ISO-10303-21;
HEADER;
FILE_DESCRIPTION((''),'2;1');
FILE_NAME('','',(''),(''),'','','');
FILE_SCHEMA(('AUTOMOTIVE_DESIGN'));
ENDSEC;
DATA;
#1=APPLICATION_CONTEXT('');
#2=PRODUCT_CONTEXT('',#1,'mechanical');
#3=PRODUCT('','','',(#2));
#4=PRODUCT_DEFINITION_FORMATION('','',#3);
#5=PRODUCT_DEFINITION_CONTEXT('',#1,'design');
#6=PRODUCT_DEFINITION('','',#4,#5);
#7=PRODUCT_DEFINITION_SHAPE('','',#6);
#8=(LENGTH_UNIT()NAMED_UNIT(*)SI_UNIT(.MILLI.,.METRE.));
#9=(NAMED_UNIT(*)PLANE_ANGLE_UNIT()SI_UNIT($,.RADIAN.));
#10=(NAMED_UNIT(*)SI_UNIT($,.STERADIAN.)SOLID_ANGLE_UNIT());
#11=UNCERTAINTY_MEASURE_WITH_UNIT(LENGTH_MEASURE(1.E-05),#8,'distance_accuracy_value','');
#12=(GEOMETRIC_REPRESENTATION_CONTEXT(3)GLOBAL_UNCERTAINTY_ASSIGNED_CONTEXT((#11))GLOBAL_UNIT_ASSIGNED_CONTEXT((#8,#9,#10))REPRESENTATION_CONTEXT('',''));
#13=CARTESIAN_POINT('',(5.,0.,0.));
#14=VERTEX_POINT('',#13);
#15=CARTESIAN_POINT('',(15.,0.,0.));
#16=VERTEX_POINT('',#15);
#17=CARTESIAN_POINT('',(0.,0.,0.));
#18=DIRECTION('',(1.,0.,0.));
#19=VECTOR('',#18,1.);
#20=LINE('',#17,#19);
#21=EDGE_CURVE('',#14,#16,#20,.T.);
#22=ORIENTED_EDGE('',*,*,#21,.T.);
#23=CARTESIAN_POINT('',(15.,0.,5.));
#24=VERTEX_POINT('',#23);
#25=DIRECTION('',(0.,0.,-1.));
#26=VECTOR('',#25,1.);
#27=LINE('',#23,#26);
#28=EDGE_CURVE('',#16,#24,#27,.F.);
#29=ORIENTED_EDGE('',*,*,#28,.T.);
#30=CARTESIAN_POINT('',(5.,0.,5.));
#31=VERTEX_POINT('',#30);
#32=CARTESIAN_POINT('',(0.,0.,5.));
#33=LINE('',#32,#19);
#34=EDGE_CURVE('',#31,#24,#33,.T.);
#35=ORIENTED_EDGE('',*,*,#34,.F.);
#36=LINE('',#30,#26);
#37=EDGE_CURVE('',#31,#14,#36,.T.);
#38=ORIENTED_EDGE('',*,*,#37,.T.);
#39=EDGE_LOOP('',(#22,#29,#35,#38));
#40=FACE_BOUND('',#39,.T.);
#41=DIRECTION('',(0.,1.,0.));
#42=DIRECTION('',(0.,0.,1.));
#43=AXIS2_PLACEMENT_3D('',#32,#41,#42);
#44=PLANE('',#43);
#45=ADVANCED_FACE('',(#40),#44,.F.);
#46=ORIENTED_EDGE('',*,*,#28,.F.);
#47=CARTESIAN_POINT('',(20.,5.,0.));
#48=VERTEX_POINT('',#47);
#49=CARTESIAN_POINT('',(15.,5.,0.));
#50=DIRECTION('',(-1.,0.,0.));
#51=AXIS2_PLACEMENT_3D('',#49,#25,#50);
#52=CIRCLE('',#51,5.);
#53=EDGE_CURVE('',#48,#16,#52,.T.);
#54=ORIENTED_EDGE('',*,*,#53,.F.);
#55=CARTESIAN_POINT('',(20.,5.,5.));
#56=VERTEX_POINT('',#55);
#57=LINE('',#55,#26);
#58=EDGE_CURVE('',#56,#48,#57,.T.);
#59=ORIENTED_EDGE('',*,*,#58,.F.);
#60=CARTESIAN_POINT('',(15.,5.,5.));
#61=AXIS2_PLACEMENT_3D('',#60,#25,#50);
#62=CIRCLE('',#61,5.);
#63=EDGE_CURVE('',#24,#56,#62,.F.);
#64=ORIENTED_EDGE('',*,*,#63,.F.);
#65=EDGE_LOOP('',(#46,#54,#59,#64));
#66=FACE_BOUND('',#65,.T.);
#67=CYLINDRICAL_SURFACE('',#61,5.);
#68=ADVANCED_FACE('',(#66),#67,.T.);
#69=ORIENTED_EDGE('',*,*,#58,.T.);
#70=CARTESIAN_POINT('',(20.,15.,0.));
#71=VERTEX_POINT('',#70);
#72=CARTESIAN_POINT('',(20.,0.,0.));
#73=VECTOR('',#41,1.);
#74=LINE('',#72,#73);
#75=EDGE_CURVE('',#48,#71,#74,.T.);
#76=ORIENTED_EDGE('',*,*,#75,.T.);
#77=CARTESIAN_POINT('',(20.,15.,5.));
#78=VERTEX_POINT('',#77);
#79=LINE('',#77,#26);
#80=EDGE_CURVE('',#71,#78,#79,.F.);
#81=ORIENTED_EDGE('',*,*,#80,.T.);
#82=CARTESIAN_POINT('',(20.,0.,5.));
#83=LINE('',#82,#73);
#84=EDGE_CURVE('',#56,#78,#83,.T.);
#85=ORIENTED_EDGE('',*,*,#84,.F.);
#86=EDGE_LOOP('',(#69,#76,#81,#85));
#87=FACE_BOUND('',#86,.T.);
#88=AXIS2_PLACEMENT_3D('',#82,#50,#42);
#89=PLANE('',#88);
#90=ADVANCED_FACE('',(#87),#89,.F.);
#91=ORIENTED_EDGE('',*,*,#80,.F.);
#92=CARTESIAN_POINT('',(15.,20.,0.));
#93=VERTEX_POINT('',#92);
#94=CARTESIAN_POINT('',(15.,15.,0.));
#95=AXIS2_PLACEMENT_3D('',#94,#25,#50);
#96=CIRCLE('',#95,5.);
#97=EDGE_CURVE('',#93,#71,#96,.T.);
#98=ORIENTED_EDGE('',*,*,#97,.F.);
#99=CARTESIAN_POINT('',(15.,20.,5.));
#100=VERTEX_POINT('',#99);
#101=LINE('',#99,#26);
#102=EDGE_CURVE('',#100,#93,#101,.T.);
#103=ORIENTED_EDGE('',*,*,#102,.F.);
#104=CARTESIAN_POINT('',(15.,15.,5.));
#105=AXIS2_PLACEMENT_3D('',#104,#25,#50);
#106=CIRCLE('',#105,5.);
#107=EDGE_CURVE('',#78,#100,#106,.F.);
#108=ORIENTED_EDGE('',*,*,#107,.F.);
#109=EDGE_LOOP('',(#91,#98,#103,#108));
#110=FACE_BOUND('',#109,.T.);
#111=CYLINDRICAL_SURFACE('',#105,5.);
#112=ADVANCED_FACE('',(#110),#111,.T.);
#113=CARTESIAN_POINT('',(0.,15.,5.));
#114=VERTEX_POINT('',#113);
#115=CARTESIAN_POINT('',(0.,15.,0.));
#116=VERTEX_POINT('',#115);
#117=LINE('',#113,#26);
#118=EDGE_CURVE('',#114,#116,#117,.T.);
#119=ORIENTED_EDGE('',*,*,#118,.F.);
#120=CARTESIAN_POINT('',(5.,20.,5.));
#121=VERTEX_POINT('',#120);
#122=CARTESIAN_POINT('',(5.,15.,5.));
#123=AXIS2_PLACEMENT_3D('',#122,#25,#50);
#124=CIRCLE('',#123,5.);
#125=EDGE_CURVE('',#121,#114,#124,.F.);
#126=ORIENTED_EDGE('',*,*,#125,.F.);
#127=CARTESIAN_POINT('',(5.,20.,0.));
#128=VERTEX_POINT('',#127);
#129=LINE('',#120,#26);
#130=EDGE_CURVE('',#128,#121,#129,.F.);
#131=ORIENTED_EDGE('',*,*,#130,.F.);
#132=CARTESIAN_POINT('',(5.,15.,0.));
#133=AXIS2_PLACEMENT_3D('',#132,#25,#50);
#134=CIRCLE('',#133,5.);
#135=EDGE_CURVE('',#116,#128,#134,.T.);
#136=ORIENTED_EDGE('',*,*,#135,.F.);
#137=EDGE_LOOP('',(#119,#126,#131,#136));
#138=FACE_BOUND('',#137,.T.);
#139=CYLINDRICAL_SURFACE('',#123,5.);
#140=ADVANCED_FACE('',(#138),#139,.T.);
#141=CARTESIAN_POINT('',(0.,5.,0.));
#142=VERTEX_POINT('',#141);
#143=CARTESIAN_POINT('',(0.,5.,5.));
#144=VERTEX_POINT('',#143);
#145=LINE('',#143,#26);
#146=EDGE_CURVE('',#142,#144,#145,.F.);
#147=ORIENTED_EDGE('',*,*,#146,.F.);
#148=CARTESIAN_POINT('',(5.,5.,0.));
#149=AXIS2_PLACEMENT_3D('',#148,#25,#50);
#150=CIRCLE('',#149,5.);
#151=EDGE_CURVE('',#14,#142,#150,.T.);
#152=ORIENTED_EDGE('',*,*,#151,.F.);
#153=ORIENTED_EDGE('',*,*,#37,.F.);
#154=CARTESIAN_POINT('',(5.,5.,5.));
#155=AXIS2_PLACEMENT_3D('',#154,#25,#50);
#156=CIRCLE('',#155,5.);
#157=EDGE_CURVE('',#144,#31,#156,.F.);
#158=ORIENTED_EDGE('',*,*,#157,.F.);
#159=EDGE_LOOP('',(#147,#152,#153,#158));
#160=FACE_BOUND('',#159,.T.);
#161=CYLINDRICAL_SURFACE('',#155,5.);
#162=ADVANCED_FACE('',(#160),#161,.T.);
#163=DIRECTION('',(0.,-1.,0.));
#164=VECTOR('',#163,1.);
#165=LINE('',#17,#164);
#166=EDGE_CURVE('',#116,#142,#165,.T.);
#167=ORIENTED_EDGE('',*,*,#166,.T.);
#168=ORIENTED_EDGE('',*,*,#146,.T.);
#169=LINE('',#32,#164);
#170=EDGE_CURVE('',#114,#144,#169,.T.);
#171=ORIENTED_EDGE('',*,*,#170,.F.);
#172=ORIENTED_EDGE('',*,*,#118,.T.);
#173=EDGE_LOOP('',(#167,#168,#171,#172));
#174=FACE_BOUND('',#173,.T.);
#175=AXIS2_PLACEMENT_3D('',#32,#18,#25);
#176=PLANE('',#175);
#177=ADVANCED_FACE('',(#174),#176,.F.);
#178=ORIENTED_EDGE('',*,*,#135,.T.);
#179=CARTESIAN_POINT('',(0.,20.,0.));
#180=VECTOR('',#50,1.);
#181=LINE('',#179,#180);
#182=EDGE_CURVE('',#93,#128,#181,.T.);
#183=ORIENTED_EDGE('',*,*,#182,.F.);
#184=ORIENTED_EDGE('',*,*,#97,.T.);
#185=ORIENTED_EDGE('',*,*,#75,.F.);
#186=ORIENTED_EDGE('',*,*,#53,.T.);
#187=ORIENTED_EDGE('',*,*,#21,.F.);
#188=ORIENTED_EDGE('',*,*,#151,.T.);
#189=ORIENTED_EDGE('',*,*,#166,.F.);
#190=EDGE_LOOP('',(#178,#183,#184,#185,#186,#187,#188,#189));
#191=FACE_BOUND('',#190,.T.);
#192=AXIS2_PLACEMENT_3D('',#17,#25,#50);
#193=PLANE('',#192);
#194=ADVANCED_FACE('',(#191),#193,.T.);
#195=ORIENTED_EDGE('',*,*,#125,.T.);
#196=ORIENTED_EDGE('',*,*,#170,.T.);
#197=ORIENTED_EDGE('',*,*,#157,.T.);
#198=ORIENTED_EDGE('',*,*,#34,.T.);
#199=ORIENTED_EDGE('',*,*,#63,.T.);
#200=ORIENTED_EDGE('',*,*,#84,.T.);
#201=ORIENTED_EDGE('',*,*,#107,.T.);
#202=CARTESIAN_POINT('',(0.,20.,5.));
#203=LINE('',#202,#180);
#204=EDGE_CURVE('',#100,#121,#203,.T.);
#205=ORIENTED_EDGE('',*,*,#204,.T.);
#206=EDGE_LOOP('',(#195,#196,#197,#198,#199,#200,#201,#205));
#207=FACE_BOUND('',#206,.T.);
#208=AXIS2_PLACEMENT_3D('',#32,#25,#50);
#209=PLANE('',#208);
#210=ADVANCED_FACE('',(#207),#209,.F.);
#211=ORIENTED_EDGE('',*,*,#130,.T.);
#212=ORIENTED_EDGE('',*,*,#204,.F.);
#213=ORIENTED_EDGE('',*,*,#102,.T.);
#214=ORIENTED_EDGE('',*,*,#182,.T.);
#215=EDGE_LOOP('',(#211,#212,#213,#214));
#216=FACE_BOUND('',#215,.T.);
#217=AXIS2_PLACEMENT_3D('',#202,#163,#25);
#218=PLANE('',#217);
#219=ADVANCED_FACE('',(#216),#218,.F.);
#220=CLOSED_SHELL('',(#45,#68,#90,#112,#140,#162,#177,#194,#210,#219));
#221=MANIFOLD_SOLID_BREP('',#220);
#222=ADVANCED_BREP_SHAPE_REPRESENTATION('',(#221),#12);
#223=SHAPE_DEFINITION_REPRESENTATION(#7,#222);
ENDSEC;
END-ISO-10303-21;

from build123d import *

# Parameters (mm, degrees)
SKETCH1_W           = 20
SKETCH1_H           = 20
BOSS_EXTRUDE1_DEPTH = 5
FILLET1_R           = 5


with BuildPart() as part:
    # Sketch1 → Boss-Extrude1 (new body)
    with BuildSketch(Plane.XY):
        with Locations((10, 10)):
            Rectangle(SKETCH1_W, SKETCH1_H)
    extrude(amount=BOSS_EXTRUDE1_DEPTH)

    # Fillet1
    fillet1_edges = [part.edges().sort_by_distance(p)[0] for p in [
        (0, 20, 2.5),
        (20, 20, 2.5),
        (20, 0, 2.5),
        (0, 0, 2.5),
    ]]
    fillet(fillet1_edges, radius=FILLET1_R)


solid = part.part
